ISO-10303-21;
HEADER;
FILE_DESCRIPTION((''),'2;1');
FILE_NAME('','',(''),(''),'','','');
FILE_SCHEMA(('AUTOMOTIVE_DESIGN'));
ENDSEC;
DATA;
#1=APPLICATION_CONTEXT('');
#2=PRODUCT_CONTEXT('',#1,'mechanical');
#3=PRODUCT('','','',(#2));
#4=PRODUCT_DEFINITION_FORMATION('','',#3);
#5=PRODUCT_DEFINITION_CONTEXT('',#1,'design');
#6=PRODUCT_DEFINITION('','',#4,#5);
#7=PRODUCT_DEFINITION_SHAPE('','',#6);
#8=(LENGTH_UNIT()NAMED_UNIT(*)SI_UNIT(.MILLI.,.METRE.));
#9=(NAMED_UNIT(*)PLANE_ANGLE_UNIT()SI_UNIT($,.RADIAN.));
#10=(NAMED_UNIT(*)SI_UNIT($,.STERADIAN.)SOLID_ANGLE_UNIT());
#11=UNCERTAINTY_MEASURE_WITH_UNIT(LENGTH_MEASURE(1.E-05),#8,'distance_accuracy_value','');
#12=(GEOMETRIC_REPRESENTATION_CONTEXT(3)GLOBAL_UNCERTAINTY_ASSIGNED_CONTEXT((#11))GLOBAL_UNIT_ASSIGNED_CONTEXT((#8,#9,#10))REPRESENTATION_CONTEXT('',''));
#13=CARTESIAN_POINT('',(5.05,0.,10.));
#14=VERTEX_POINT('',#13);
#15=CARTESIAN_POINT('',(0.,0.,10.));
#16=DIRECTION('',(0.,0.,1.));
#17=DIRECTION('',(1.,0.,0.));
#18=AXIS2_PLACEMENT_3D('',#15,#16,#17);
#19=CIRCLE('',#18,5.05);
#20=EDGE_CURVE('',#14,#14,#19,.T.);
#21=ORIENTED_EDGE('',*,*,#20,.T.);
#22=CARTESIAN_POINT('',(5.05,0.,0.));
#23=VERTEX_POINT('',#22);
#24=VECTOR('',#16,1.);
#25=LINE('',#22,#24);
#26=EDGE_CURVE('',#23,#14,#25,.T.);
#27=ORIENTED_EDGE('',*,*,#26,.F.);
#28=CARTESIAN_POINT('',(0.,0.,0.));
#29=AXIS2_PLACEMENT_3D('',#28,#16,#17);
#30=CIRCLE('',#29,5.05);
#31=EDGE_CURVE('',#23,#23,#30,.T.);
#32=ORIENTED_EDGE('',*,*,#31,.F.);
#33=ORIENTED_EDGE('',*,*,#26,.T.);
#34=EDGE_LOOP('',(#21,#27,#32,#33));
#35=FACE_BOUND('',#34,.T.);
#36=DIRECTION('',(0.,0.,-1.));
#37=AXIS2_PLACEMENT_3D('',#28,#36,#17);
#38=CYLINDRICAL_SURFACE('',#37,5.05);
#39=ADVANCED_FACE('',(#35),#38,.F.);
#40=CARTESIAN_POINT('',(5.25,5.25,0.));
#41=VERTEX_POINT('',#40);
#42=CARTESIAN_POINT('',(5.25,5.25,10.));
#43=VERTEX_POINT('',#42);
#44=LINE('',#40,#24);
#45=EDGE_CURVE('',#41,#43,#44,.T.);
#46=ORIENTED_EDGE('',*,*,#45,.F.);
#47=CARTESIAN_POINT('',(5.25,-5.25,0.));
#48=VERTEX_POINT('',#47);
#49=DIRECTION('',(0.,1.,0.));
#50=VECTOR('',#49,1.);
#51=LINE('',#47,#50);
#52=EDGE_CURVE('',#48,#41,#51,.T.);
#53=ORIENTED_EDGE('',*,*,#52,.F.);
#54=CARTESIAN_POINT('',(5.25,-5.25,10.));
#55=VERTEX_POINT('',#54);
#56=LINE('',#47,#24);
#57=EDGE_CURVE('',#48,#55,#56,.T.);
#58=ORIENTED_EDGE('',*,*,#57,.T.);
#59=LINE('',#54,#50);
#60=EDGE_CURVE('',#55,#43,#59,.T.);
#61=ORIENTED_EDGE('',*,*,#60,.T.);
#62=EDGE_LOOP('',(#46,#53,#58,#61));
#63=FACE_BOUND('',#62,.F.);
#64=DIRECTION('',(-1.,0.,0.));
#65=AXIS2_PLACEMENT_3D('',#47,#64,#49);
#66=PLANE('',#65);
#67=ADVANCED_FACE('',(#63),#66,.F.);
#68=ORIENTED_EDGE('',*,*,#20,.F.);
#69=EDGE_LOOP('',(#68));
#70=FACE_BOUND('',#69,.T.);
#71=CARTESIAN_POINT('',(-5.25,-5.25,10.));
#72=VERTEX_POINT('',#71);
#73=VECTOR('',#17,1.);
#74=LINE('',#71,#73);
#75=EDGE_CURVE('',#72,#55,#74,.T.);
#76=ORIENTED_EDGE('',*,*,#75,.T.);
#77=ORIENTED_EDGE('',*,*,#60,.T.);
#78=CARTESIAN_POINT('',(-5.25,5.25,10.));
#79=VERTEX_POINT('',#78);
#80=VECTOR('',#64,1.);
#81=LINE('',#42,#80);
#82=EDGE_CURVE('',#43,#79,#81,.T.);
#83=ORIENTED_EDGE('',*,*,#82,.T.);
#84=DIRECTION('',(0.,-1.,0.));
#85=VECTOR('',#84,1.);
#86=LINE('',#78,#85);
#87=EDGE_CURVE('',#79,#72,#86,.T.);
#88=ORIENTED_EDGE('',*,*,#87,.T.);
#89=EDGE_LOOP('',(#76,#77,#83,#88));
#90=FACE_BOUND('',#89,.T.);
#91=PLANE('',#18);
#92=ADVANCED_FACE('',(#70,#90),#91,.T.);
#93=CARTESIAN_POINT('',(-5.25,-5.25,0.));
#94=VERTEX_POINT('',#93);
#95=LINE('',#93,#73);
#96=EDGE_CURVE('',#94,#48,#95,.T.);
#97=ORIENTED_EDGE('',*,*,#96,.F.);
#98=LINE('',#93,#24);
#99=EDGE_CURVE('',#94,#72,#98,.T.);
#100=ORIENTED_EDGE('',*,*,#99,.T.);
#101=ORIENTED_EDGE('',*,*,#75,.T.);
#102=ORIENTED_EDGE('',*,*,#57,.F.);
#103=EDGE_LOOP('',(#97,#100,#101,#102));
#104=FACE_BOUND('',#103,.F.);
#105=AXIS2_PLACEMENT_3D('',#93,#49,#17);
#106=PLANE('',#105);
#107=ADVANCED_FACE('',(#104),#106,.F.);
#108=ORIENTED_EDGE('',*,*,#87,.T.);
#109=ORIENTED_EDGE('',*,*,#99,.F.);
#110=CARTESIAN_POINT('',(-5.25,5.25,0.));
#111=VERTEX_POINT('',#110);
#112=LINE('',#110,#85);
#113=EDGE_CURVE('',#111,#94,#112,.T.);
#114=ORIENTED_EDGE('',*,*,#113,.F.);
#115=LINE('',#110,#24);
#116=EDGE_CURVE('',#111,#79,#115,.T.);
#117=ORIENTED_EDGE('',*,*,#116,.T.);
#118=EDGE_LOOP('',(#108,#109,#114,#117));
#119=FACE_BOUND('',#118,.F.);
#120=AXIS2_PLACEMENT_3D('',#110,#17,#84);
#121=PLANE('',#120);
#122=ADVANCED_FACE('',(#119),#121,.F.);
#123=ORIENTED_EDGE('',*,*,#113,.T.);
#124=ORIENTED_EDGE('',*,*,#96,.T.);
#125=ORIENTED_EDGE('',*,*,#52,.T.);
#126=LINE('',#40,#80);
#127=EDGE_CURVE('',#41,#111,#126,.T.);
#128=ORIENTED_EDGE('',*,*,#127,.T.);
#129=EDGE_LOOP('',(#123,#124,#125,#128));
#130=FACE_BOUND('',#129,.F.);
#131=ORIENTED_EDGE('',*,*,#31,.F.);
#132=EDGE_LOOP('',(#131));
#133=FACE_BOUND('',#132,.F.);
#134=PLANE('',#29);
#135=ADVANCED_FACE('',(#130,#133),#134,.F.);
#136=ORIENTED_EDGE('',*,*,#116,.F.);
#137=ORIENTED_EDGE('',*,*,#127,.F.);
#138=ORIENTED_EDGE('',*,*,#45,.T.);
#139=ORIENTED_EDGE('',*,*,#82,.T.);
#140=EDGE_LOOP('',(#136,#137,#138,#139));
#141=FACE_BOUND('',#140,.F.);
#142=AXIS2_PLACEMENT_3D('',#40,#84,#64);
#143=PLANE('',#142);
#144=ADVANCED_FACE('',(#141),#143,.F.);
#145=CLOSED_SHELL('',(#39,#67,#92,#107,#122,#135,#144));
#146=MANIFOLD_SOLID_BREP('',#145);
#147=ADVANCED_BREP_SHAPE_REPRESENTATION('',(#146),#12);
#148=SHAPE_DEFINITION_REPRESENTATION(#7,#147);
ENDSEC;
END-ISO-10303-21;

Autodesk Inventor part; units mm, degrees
ref_plane "YZ Plane" through (0, 0, 0) normal (1, 0, 0) x (0, 1, 0)
ref_plane "XZ Plane" through (0, 0, 0) normal (0, 1, 0) x (-1, 0, 0)
ref_plane "XY Plane" through (0, 0, 0) normal (0, 0, 1) x (1, 0, 0)
sketch "Sketch1" plane through (0, 0, 0) normal (0, 0, 1) x (1, 0, 0)
  circle A0 centre (0, 0) radius 5.05
  line L0 (-5.25, -5.25) -> (5.25, -5.25)
  line L1 (5.25, -5.25) -> (5.25, 5.25)
  line L2 (5.25, 5.25) -> (-5.25, 5.25)
  line L3 (-5.25, 5.25) -> (-5.25, -5.25)
  line L4 (-5.25, -5.25) -> (5.25, 5.25) construction
  line L5 (5.25, -5.25) -> (-5.25, 5.25) construction
  dimension "d0" = 10.1
  dimension "d1" = 10.5
  dimension "d2" = 10.5
extrude "Extrusion1" add sketch "Sketch1" along normal blind 10
properties part number "TestTubeSocket"
